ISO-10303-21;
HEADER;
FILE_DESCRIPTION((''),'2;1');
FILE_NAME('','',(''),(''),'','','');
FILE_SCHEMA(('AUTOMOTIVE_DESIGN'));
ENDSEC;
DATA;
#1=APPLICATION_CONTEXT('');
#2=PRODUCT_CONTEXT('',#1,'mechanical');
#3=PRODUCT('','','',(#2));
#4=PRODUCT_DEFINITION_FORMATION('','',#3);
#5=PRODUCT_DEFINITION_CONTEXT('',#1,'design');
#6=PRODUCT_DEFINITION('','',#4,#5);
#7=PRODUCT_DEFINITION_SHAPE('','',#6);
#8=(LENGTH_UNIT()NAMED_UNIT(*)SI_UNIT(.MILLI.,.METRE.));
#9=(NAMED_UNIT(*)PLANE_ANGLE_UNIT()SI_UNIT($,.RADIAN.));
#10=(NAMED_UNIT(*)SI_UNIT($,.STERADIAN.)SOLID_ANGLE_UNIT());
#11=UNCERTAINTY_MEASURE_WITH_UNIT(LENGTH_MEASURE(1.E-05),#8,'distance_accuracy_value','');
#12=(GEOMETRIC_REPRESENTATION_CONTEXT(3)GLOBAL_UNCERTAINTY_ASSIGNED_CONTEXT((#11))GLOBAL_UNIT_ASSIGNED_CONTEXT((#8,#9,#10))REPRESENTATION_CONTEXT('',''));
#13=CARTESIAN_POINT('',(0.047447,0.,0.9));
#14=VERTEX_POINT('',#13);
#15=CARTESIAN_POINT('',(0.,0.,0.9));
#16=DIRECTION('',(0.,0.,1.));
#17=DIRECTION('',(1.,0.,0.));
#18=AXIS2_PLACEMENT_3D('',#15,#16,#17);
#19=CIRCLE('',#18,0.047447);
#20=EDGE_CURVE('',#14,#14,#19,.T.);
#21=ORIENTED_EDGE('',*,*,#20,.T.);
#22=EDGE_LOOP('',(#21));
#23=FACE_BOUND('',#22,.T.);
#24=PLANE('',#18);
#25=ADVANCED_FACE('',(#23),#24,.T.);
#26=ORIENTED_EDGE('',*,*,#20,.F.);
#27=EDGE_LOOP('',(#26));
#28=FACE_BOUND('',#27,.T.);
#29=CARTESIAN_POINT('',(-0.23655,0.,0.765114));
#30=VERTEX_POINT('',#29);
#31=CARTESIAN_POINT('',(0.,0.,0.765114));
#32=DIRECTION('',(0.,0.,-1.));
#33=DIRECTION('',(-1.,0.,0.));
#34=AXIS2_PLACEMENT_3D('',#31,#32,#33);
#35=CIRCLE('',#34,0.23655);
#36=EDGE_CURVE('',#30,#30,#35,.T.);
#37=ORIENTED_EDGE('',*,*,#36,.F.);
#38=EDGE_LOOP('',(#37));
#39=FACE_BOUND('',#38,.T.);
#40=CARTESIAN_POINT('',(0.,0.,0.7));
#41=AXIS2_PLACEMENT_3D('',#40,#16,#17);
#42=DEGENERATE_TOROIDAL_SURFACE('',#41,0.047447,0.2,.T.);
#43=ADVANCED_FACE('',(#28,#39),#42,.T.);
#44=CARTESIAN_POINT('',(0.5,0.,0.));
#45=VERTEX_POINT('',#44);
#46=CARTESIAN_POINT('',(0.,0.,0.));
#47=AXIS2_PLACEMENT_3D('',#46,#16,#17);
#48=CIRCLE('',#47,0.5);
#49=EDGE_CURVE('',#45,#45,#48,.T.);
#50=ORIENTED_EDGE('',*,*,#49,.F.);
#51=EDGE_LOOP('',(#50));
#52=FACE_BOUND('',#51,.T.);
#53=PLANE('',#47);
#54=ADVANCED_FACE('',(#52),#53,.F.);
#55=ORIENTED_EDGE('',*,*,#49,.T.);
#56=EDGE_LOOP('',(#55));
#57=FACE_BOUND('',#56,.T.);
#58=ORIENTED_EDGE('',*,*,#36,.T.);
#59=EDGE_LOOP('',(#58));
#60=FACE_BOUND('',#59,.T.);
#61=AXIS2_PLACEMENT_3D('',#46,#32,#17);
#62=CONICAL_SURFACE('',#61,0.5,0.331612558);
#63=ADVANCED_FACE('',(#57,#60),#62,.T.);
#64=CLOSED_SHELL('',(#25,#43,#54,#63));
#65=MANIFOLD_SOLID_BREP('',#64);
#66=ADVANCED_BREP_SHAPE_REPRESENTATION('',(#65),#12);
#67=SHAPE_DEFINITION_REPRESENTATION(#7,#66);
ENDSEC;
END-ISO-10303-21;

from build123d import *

# Parameters (mm, degrees)
SKETCH1_R           = 0.5
BOSS_EXTRUDE1_DEPTH = 0.9
BOSS_EXTRUDE1_TAPER = 19
FILLET1_R           = 0.2


with BuildPart() as part:
    # Sketch1 → Boss-Extrude1 (new body)
    with BuildSketch(Plane.XY):
        Circle(SKETCH1_R)
    extrude(amount=BOSS_EXTRUDE1_DEPTH, taper=BOSS_EXTRUDE1_TAPER)

    # Fillet1
    fillet1_edges = [part.edges().sort_by_distance(p)[0] for p in [
        (-0.190105148, 0, 0.9),
    ]]
    fillet(fillet1_edges, radius=FILLET1_R)


solid = part.part
